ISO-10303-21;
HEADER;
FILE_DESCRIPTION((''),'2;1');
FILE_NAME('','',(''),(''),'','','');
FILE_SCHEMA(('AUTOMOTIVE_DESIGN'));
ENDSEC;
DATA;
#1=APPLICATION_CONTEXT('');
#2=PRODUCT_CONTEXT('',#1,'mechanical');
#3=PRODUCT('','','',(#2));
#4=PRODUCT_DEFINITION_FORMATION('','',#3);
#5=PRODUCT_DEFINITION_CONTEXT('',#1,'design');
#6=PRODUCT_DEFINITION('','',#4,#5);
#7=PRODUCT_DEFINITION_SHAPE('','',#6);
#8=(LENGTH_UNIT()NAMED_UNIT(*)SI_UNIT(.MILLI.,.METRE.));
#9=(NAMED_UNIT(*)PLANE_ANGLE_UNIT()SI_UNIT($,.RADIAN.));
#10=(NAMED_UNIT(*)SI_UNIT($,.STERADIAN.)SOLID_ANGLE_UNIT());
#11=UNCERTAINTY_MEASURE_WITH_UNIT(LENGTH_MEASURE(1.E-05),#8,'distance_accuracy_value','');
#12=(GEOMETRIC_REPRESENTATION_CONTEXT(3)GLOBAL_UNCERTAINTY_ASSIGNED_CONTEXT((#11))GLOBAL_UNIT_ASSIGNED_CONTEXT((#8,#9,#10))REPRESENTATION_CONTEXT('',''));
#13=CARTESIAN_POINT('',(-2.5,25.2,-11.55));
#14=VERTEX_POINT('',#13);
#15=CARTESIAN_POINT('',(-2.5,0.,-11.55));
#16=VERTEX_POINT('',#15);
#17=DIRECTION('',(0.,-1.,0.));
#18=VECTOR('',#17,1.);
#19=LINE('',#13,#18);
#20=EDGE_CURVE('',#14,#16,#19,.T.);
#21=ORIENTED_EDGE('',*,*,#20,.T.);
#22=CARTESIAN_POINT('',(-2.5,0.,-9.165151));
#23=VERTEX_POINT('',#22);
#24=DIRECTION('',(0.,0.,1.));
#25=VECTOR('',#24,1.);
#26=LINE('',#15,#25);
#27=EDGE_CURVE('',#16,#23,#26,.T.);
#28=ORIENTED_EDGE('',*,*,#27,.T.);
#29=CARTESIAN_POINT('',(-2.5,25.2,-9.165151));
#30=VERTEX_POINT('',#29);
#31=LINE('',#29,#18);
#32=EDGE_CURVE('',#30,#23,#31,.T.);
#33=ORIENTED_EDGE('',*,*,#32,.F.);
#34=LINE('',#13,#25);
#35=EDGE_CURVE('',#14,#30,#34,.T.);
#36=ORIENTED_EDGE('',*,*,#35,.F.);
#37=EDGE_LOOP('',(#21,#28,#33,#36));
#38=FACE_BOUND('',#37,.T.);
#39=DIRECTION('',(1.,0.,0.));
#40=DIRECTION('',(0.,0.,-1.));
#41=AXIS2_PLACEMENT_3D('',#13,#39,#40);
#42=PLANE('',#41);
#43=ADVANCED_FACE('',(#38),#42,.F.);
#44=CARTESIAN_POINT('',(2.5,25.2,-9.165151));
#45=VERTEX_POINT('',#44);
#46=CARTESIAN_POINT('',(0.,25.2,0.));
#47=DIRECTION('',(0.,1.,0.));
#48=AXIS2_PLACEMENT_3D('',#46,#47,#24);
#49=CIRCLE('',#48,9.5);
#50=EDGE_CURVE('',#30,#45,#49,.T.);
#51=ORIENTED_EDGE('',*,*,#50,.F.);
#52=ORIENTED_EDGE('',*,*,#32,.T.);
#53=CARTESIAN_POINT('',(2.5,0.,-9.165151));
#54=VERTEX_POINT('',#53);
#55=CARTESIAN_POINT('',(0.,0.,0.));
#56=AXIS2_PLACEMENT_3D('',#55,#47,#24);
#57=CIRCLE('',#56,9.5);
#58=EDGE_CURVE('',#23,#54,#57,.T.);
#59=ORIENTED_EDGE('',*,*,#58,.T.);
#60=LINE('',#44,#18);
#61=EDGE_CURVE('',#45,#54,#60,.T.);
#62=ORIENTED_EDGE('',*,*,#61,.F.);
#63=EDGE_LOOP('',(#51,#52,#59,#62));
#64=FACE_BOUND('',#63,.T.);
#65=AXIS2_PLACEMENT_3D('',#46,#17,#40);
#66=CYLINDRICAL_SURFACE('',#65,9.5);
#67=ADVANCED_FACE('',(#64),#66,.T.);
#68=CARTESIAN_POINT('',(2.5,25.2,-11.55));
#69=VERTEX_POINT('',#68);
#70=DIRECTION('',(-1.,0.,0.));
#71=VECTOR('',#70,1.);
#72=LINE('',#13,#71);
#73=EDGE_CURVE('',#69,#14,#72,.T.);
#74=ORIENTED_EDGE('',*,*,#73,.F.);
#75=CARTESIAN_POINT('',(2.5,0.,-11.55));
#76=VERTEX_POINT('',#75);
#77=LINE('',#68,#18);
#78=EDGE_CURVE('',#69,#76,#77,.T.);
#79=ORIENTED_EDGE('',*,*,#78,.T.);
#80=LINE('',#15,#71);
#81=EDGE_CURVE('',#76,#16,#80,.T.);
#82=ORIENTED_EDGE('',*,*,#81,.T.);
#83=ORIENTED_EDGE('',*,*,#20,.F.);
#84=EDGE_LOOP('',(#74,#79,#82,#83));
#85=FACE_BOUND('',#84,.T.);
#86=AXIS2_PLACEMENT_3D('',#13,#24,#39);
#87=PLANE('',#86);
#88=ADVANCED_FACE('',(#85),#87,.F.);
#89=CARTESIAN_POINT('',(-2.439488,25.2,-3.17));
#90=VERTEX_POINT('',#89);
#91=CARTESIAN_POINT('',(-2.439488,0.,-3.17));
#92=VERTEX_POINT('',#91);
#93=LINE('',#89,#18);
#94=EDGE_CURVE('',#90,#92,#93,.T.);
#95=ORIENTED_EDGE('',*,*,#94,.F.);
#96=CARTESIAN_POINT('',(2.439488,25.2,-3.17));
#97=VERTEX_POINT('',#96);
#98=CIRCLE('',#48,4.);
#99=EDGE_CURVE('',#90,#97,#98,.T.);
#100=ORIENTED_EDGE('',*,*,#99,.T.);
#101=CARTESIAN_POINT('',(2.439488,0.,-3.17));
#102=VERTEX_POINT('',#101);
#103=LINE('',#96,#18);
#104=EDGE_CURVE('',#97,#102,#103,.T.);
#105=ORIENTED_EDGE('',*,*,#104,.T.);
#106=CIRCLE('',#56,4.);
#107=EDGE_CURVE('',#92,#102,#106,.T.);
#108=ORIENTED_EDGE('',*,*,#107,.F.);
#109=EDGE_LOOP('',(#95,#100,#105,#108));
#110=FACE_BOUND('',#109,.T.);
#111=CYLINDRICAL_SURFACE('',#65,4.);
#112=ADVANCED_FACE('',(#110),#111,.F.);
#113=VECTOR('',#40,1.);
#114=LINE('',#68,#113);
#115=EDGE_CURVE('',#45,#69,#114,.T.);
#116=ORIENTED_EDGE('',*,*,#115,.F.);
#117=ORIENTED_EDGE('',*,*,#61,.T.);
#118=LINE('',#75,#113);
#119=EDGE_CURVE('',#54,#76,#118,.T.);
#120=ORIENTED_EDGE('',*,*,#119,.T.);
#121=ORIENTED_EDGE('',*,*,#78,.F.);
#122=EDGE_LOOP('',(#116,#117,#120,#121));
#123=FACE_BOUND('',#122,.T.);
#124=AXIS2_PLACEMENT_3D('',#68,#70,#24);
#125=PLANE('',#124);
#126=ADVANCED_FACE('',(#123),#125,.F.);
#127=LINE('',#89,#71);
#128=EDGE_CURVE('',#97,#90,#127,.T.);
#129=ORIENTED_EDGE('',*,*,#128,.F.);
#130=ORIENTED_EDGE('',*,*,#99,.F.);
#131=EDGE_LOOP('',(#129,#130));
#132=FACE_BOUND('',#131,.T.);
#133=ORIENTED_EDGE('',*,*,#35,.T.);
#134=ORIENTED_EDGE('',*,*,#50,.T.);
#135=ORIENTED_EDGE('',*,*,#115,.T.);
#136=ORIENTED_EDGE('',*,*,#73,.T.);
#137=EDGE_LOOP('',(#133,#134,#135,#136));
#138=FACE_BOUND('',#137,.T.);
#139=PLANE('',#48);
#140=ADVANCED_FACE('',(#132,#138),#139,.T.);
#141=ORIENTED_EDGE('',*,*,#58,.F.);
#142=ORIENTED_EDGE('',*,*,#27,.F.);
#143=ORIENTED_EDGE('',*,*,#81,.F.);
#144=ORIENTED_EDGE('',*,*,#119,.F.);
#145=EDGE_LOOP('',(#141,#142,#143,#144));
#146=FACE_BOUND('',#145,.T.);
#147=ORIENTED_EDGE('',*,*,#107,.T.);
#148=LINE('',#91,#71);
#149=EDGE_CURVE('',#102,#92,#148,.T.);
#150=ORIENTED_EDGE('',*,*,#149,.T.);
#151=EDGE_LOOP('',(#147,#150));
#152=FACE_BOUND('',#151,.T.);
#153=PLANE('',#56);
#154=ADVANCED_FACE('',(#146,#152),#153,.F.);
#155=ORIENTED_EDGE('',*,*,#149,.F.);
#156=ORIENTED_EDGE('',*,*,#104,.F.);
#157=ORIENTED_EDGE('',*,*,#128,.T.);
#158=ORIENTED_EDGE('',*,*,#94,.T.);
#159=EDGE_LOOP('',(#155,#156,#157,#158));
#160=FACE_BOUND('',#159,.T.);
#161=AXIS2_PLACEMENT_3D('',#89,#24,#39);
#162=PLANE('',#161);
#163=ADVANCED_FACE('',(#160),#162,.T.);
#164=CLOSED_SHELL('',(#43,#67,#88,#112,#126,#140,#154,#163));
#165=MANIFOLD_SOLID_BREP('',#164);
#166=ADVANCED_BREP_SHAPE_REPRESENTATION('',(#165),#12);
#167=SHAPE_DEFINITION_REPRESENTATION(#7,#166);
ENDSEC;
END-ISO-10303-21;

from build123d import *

# Parameters (mm, degrees)
SALIENTE_EXTRUIR1_DEPTH = 25.2


with BuildPart() as part:
    # Croquis1 → Saliente-Extruir1 (new body)
    with BuildSketch(Plane(origin=(0, 0, 0), x_dir=(1, 0, 0), z_dir=(0, 1, 0))):
        with BuildLine():
            Line((-2.5, 11.55), (2.5, 11.55))
            Line((2.5, 11.55), (2.5, 9.16515139))
            ThreePointArc((2.5, 9.16515139), (0, -9.5), (-2.5, 9.16515139))
            Line((-2.5, 9.16515139), (-2.5, 11.55))
        make_face()
        with BuildLine():
            Line((-2.439487651, 3.17), (2.439487651, 3.17))
            ThreePointArc((2.439487651, 3.17), (0, -4), (-2.439487651, 3.17))
        make_face(mode=Mode.SUBTRACT)
    extrude(amount=SALIENTE_EXTRUIR1_DEPTH)


solid = part.part
